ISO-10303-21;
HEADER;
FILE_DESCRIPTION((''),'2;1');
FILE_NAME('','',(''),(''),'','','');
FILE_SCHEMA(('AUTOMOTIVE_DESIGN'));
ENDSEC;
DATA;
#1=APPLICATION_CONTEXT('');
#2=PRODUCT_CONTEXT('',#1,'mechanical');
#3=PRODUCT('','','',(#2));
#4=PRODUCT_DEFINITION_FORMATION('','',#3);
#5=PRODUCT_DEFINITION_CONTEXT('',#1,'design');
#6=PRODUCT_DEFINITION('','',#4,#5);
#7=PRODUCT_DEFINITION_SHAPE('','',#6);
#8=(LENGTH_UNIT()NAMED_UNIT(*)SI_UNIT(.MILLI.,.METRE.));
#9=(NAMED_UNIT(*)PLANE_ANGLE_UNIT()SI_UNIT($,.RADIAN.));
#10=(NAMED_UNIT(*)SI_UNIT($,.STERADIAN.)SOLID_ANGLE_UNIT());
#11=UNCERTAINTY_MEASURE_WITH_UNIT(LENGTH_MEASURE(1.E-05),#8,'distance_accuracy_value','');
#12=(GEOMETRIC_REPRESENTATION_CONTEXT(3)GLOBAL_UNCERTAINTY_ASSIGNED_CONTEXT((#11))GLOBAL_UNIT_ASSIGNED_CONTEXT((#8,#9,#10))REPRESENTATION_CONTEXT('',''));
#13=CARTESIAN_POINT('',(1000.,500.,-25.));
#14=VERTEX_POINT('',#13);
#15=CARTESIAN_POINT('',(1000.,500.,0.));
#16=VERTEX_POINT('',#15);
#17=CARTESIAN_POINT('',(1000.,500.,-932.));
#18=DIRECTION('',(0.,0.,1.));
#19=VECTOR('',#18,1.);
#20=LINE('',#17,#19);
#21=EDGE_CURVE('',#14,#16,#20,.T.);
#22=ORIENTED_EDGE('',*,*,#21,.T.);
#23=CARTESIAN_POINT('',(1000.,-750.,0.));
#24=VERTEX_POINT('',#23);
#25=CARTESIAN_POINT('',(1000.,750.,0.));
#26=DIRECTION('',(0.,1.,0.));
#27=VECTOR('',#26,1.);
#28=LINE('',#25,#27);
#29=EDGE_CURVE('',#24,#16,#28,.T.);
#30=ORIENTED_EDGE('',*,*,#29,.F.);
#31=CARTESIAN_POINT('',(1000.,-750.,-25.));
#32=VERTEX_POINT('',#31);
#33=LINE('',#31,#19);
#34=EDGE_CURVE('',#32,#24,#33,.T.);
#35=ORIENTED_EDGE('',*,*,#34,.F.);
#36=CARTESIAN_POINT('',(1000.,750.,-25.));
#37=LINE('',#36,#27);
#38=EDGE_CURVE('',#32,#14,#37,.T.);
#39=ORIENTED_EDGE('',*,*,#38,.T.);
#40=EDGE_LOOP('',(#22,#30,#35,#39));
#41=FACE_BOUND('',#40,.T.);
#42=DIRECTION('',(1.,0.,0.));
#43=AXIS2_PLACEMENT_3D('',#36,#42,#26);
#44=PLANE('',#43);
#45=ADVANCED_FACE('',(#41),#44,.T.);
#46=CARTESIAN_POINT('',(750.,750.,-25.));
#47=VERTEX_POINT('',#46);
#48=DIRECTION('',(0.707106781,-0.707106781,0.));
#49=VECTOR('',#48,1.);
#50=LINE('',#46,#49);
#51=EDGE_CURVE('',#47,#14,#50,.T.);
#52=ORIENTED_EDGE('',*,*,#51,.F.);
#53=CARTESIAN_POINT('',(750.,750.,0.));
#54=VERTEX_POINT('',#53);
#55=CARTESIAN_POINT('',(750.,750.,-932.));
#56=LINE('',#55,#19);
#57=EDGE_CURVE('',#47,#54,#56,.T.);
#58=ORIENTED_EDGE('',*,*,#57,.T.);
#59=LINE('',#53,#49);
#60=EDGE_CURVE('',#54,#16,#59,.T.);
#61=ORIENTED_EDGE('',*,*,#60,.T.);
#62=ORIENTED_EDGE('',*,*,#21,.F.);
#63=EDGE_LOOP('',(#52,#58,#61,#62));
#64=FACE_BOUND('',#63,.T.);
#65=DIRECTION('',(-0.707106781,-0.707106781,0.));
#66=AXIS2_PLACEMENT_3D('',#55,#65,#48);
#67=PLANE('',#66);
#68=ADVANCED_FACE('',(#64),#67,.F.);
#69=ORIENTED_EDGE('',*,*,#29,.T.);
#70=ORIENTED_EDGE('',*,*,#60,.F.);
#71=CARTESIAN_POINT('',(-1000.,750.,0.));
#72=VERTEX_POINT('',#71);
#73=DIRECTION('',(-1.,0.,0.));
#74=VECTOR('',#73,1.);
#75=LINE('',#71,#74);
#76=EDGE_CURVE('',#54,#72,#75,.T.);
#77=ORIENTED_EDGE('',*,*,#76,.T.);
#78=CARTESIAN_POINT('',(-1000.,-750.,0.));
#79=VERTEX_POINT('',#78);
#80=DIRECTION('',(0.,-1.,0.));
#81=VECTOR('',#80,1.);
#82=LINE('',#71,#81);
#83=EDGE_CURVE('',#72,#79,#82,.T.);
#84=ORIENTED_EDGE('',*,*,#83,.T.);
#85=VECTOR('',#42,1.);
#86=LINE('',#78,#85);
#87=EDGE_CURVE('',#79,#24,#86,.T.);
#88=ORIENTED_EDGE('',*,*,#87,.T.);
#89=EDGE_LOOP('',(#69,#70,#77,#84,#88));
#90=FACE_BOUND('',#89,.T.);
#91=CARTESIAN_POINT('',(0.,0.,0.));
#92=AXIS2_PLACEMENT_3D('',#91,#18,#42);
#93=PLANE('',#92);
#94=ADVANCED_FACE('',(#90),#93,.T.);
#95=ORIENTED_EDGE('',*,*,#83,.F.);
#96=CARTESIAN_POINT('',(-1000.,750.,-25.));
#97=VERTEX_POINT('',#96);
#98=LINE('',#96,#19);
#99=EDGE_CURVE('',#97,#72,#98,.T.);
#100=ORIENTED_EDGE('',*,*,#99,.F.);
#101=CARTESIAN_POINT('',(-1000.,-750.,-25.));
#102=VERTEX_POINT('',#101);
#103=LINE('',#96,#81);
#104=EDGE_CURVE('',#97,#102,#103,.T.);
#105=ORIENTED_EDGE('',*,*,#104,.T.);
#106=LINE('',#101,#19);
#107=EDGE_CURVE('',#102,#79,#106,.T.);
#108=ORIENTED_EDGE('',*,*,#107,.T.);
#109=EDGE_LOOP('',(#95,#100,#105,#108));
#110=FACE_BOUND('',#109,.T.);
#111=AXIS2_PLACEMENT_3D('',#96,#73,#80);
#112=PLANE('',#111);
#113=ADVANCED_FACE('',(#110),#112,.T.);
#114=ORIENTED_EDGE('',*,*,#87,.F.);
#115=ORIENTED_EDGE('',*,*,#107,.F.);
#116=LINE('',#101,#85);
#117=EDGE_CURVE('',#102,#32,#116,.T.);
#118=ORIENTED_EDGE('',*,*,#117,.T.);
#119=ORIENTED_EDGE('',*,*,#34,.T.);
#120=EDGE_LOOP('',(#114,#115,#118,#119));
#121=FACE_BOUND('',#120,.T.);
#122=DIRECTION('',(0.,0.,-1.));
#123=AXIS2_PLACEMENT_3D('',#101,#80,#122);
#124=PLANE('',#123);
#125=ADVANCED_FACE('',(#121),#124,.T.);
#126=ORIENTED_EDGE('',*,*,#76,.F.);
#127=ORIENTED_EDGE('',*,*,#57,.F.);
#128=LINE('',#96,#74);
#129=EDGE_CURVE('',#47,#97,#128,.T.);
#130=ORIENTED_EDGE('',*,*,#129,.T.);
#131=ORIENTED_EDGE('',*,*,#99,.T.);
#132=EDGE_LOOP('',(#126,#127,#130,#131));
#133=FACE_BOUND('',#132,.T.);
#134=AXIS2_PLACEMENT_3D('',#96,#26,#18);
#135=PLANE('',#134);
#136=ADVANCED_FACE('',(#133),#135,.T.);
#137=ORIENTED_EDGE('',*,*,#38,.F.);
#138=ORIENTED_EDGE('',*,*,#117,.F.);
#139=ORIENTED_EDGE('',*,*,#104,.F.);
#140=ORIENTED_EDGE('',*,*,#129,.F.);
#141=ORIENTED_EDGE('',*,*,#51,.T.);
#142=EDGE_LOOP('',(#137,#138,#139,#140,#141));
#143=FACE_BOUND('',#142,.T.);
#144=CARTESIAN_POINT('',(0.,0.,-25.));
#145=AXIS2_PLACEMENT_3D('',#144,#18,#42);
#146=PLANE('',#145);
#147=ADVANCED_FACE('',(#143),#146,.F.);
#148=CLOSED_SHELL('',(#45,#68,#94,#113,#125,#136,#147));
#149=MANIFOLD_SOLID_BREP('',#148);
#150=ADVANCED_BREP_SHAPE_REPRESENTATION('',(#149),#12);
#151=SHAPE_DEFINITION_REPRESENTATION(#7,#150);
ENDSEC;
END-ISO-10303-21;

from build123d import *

# Parameters (mm, degrees)
SKETCH2_W           = 2000
SKETCH2_H           = 1500
BOSS_EXTRUDE1_DEPTH = 25
CUT_EXTRUDE1_DEPTH  = 932


with BuildPart() as part:
    # Sketch2 → Boss-Extrude1 (new body)
    with BuildSketch(Plane.XY):
        Rectangle(SKETCH2_W, SKETCH2_H)
    extrude(amount=-BOSS_EXTRUDE1_DEPTH)

    # Sketch3 → Cut-Extrude1 (cut)
    with BuildSketch(Plane.XY):
        Polygon((1000, 500), (1000, 750), (750, 750), align=None)
    extrude(amount=-CUT_EXTRUDE1_DEPTH, mode=Mode.SUBTRACT)


solid = part.part
